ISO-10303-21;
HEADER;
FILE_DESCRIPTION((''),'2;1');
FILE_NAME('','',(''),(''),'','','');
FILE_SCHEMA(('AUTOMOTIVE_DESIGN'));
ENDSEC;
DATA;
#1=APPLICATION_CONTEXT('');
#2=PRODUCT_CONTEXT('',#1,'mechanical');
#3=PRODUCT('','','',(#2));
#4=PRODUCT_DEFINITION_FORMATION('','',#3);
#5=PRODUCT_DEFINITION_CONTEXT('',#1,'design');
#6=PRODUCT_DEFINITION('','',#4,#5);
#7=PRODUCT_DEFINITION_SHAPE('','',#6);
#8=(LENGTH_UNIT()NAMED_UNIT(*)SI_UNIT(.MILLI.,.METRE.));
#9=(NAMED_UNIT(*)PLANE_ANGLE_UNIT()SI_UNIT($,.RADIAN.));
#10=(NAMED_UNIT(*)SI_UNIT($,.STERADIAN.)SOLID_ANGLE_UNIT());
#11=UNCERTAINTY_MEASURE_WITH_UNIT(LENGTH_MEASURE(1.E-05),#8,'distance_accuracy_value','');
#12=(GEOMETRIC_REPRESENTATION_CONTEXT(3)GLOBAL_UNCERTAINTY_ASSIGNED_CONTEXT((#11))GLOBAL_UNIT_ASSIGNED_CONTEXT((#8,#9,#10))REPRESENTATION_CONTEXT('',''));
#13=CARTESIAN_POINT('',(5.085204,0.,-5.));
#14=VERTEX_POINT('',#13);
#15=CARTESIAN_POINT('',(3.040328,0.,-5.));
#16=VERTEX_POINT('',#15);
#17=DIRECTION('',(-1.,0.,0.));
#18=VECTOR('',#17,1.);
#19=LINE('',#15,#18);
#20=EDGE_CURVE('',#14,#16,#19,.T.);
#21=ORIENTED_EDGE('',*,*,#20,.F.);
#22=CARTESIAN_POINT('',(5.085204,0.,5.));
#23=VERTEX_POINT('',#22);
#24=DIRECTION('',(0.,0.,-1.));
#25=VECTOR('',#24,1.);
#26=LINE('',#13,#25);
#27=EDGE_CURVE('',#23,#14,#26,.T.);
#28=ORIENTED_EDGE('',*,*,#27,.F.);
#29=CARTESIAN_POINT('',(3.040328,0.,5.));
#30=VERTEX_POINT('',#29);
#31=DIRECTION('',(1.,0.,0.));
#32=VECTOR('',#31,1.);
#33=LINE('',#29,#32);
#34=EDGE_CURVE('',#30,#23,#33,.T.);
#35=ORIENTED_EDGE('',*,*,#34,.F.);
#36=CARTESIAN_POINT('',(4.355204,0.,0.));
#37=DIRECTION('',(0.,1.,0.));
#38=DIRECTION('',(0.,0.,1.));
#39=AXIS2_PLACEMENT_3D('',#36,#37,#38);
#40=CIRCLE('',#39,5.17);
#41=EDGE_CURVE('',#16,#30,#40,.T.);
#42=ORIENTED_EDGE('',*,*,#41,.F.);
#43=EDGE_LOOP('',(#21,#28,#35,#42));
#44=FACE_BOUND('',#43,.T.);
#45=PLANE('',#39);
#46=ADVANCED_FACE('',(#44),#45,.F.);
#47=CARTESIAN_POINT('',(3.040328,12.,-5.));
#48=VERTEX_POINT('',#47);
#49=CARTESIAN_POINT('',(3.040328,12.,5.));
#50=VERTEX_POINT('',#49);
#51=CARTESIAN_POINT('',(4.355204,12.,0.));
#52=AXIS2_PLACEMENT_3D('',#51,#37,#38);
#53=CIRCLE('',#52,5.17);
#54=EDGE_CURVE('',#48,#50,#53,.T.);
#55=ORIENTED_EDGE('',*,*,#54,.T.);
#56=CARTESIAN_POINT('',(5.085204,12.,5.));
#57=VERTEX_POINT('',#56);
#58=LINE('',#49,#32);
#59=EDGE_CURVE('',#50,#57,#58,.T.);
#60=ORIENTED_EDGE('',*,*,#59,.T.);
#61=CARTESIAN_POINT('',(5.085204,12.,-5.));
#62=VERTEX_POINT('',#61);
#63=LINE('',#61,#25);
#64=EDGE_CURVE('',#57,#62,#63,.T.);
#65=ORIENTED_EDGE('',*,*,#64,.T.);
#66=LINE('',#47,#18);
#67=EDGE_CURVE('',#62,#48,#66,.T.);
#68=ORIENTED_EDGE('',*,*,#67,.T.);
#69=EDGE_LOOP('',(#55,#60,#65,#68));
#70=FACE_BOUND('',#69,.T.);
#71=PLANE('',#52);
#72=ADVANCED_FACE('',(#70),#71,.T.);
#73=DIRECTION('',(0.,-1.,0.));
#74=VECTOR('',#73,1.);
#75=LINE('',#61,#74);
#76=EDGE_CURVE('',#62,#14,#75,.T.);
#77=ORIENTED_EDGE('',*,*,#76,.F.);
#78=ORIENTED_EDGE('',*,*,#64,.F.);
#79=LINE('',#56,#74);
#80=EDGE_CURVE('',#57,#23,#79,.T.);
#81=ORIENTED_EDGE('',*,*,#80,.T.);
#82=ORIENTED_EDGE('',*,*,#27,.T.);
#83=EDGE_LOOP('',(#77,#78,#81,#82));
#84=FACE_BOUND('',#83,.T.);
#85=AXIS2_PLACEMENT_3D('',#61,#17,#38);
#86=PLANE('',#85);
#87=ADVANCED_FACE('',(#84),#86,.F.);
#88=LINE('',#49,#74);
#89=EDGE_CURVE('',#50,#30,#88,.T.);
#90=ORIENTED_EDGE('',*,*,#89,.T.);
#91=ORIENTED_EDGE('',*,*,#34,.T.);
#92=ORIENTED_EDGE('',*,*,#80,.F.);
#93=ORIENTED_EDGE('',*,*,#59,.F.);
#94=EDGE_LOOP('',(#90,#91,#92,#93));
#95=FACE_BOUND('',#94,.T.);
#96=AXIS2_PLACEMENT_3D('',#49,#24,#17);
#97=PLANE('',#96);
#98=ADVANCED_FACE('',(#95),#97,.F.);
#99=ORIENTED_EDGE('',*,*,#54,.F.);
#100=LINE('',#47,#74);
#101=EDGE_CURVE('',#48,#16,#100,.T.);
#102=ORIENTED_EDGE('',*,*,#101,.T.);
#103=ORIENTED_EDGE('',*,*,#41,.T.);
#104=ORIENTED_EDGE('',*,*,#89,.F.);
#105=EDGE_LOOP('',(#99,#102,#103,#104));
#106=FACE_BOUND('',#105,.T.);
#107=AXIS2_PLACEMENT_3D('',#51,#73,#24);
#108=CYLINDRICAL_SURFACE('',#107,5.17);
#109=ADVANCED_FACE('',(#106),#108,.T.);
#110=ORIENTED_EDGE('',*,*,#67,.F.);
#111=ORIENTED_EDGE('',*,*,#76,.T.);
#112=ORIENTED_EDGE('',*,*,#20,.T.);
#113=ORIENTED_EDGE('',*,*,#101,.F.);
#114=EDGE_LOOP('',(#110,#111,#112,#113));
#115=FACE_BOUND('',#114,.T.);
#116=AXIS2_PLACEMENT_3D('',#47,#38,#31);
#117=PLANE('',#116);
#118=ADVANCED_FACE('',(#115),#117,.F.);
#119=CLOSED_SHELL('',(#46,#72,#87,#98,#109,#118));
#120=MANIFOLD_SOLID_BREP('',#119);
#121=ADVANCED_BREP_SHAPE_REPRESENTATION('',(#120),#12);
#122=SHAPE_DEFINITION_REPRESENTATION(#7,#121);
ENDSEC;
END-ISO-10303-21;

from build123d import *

# Parameters (mm, degrees)
EXTRUDE_1_DEPTH = 12


with BuildPart() as part:
    # 草图1 → 凸台-拉伸1 (new body)
    with BuildSketch(Plane(origin=(0, 0, 0), x_dir=(1, 0, 0), z_dir=(0, 1, 0))):
        with BuildLine():
            Line((3.040327915, 5), (5.085204335, 5))
            Line((5.085204335, 5), (5.085204335, -5))
            Line((5.085204335, -5), (3.040327915, -5))
            ThreePointArc((3.040327915, -5), (-0.814795665, 0), (3.040327915, 5))
        make_face()
    extrude(amount=EXTRUDE_1_DEPTH)


solid = part.part
